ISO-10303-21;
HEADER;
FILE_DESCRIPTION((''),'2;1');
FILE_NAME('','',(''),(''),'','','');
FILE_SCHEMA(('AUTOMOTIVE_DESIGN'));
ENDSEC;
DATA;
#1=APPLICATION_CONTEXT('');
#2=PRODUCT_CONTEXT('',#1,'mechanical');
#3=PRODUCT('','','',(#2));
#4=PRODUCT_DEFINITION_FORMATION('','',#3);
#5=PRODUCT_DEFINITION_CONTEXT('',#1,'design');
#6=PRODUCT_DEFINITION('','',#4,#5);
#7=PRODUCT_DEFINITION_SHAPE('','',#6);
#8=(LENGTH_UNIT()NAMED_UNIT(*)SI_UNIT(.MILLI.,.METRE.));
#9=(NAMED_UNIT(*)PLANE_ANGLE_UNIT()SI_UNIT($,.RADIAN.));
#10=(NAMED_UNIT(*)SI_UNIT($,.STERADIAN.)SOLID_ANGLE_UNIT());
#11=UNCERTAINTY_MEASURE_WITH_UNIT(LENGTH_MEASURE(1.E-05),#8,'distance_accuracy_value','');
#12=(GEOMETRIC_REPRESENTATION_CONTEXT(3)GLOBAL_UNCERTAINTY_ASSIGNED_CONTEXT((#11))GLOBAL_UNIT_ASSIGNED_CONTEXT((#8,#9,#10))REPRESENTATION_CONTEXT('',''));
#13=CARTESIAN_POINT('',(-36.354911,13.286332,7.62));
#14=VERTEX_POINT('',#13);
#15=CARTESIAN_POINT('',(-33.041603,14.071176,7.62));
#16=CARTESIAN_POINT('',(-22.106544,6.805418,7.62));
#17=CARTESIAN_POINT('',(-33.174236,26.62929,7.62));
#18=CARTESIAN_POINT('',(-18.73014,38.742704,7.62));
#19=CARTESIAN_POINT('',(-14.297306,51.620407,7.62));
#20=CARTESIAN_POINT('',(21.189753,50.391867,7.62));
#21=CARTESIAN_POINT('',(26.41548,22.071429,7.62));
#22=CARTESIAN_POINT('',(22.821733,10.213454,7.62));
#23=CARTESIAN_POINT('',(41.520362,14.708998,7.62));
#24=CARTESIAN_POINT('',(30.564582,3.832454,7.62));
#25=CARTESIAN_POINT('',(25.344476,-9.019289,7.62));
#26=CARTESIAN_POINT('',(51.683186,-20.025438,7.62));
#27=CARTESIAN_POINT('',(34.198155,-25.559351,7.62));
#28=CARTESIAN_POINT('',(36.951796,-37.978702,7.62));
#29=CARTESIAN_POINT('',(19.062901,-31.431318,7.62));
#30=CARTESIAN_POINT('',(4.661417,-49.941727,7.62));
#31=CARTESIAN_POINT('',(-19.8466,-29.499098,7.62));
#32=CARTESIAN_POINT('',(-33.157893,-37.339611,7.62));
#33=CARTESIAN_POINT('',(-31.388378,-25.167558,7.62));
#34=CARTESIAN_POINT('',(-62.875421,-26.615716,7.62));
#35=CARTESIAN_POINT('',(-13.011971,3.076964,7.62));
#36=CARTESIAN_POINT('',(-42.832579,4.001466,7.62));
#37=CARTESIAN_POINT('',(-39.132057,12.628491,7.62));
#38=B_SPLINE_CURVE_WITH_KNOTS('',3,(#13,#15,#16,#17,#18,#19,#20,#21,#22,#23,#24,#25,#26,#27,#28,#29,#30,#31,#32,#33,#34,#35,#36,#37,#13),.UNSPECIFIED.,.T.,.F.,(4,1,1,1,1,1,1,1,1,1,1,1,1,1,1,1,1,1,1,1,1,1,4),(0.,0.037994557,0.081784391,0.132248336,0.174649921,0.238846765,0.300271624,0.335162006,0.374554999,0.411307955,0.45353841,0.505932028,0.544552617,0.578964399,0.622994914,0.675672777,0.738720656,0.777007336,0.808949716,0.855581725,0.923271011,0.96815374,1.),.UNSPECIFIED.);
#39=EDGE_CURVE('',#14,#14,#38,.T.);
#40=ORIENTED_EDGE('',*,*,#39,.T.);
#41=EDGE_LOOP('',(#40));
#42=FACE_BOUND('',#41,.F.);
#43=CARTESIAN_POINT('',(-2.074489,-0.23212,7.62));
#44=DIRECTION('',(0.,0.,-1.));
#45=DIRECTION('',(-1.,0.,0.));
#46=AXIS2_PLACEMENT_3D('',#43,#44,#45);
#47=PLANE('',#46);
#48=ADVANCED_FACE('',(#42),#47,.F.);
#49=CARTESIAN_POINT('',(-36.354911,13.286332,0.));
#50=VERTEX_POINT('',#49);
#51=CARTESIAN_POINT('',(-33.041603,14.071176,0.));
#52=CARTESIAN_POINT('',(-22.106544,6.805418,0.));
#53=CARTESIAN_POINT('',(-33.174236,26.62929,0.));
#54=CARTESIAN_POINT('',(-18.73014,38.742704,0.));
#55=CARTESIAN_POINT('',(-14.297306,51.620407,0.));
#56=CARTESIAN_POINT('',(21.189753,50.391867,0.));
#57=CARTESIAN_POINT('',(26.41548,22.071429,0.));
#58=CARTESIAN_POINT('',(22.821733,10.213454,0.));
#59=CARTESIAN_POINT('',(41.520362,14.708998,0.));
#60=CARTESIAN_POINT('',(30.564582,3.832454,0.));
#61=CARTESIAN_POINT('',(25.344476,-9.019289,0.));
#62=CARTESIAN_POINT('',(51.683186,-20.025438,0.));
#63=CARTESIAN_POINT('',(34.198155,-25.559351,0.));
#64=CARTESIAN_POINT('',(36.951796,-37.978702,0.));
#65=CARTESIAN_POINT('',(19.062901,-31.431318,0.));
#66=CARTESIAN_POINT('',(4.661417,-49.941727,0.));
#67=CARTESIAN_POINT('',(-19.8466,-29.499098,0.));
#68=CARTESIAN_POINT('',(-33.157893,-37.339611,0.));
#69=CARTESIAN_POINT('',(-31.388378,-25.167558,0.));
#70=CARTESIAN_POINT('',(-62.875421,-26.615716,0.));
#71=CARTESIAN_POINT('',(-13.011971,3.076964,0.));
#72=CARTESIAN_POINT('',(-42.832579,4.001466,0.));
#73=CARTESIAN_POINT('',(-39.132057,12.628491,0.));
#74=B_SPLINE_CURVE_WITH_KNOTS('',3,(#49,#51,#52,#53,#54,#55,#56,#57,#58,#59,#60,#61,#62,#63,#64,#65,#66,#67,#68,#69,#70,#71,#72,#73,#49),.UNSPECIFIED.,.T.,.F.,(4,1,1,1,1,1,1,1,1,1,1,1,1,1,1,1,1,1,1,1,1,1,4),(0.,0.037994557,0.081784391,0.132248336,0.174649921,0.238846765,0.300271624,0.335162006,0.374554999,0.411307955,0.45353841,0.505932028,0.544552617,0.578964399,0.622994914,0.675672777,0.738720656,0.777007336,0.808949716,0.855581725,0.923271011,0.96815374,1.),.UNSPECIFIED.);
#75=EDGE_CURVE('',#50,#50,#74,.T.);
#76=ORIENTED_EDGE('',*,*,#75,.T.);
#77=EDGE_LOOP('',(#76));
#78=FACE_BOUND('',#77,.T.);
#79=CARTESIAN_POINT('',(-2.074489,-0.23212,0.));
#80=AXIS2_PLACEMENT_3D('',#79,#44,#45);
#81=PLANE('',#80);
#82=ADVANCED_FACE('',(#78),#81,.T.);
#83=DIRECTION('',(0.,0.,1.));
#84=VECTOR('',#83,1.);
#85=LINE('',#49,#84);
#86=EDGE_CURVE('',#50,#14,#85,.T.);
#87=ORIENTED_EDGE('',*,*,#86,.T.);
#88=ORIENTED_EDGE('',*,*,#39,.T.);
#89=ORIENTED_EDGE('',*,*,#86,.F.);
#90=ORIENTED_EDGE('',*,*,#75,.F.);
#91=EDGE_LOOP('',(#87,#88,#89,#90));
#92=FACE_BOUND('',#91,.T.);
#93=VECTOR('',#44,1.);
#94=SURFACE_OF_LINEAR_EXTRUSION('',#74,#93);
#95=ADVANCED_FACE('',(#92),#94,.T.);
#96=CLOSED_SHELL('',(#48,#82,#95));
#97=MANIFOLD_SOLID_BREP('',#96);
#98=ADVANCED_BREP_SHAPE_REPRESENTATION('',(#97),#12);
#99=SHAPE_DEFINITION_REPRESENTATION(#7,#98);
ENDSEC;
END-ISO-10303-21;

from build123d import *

# Parameters (mm, degrees)
F1_DEPTH = 7.62


with BuildPart() as f1:
    # F0 (on Top) → F1 (new body)
    with BuildSketch(Plane.XY):
        with BuildLine():
            add(Edge.make_bspline(
                [(-36.3549105823, 13.2863316685), (-33.0416032724, 14.071175709), (-22.1065440673, 6.805418199), (-33.1742361374, 26.6292904408), (-18.7301396436, 38.7427037916), (-14.2973058855, 51.6204074951), (21.1897527828, 50.391867369), (26.4154803994, 22.0714294495), (22.8217333278, 10.2134539575), (41.5203616857, 14.708997787), (30.5645824987, 3.8324539936), (25.3444761422, -9.0192885009), (51.6831856585, -20.0254380234), (34.1981550755, -25.5593505151), (36.9517962129, -37.9787019305), (19.0629007909, -31.4313177569), (4.661417255, -49.9417266432), (-19.8466002828, -29.499097997), (-33.1578932711, -37.3396108985), (-31.388377909, -25.1675578354), (-62.8754211473, -26.6157160317), (-13.0119711112, 3.0769638797), (-42.8325787882, 4.0014664547), (-39.1320569827, 12.6284914509), (-36.3549105823, 13.2863316685)],
                knots=[0, 0, 0, 0, 0.037994557, 0.0817843906, 0.1322483361, 0.1746499211, 0.2388467654, 0.3002716237, 0.3351620055, 0.3745549993, 0.4113079546, 0.4535384104, 0.5059320282, 0.5445526167, 0.5789643992, 0.6229949139, 0.6756727772, 0.738720656, 0.777007336, 0.8089497161, 0.8555817251, 0.9232710113, 0.9681537397, 1, 1, 1, 1], degree=3))
        make_face()
    extrude(amount=F1_DEPTH)


solid = f1.part
